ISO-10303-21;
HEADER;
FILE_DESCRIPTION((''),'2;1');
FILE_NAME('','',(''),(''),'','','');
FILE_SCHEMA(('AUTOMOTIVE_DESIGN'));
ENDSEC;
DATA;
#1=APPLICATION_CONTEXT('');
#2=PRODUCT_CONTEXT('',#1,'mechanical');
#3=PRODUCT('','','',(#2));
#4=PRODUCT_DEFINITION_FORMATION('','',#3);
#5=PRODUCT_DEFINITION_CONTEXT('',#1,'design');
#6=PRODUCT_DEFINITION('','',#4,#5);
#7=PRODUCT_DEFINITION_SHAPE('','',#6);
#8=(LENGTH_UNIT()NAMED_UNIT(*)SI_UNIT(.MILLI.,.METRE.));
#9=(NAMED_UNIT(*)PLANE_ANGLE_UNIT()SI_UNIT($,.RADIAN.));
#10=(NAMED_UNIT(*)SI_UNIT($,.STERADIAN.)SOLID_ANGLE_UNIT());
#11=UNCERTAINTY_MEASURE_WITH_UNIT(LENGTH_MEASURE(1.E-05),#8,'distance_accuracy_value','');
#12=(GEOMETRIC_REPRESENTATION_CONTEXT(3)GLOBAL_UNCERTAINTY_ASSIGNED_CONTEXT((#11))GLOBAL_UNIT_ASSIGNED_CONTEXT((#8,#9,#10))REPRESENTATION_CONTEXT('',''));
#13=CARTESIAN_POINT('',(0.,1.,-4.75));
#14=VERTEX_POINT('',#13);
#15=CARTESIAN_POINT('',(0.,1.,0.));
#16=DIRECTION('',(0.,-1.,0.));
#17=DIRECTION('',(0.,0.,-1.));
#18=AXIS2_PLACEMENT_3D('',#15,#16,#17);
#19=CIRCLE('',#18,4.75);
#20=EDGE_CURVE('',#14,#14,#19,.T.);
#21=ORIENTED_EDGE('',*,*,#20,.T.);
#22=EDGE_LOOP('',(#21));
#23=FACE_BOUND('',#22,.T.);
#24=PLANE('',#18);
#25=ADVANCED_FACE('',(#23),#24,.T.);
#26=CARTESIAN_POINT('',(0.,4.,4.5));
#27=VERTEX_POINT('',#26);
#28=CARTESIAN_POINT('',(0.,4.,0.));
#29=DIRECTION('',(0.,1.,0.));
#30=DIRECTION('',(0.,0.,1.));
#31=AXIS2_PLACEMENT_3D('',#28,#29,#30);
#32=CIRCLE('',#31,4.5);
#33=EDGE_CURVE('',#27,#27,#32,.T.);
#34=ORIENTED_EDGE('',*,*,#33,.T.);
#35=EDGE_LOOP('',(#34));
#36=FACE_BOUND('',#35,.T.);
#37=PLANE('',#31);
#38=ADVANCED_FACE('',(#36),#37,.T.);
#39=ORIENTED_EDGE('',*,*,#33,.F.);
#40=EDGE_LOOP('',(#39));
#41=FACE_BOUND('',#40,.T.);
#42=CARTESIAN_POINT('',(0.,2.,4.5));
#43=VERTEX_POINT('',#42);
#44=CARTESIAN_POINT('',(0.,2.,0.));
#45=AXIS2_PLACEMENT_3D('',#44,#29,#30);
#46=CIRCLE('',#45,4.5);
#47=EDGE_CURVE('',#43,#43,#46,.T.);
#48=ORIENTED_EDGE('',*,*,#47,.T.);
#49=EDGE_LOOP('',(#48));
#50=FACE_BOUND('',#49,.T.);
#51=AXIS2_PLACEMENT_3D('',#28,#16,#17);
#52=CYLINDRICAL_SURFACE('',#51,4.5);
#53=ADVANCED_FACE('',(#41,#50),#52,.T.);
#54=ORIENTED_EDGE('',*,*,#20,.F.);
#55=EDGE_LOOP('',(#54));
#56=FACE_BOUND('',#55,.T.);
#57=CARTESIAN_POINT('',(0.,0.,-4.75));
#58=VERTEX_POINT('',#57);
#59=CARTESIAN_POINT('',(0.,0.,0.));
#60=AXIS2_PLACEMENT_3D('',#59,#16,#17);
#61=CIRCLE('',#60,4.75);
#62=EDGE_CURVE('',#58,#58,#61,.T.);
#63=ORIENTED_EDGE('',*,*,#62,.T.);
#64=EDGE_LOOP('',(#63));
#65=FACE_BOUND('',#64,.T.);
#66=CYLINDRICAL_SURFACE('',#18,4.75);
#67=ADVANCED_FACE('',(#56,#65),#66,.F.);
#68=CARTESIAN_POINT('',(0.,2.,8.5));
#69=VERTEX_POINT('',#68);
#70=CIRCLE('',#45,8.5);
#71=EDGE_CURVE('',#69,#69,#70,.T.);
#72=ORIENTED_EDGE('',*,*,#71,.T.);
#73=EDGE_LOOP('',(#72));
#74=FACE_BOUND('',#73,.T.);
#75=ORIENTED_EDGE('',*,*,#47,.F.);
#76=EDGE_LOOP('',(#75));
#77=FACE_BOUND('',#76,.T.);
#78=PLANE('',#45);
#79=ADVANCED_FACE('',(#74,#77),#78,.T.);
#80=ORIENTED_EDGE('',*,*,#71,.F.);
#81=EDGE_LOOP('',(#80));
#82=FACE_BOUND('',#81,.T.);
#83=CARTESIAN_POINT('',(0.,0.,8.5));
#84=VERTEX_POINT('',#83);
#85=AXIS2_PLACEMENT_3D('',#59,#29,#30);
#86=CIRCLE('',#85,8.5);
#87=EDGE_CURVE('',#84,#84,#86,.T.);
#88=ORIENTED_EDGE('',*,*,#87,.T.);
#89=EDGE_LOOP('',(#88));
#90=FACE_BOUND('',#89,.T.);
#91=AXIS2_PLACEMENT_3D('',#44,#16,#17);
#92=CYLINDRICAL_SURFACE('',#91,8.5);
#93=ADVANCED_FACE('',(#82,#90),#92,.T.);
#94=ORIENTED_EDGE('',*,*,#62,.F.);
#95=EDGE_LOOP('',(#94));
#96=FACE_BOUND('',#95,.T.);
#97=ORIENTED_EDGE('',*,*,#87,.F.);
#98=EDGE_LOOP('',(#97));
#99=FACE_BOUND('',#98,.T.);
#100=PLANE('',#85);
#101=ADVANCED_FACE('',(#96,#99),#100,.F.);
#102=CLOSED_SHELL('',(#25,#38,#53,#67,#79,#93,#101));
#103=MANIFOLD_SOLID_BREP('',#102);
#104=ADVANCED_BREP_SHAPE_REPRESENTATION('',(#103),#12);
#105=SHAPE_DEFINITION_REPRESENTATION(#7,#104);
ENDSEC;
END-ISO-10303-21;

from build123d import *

# Parameters (mm, degrees)
SKETCH1_R           = 8.5
BOSS_EXTRUDE2_DEPTH = 2
SKETCH2_R           = 4.5
BOSS_EXTRUDE3_DEPTH = 2
SKETCH4_R           = 4.75
CUT_EXTRUDE1_DEPTH  = 1


with BuildPart() as part:
    # Sketch1 → Boss-Extrude2 (new body)
    with BuildSketch(Plane(origin=(0, 0, 0), x_dir=(1, 0, 0), z_dir=(0, 1, 0))):
        with Locations(Location((0, 0, 0), (0, 0, 270))):
            Circle(SKETCH1_R)
    extrude(amount=BOSS_EXTRUDE2_DEPTH)

    # Sketch2 → Boss-Extrude3 (add)
    with BuildSketch(Plane(origin=(0, 2, 0), x_dir=(1, 0, 0), z_dir=(0, 1, 0))):
        with Locations(Location((0, 0, 0), (0, 0, 270))):
            Circle(SKETCH2_R)
    extrude(amount=BOSS_EXTRUDE3_DEPTH)

    # Sketch4 → Cut-Extrude1 (cut)
    with BuildSketch(Plane.XZ):
        with Locations(Location((0, 0, 0), (0, 0, 270))):
            Circle(SKETCH4_R)
    extrude(amount=-CUT_EXTRUDE1_DEPTH, mode=Mode.SUBTRACT)


solid = part.part
